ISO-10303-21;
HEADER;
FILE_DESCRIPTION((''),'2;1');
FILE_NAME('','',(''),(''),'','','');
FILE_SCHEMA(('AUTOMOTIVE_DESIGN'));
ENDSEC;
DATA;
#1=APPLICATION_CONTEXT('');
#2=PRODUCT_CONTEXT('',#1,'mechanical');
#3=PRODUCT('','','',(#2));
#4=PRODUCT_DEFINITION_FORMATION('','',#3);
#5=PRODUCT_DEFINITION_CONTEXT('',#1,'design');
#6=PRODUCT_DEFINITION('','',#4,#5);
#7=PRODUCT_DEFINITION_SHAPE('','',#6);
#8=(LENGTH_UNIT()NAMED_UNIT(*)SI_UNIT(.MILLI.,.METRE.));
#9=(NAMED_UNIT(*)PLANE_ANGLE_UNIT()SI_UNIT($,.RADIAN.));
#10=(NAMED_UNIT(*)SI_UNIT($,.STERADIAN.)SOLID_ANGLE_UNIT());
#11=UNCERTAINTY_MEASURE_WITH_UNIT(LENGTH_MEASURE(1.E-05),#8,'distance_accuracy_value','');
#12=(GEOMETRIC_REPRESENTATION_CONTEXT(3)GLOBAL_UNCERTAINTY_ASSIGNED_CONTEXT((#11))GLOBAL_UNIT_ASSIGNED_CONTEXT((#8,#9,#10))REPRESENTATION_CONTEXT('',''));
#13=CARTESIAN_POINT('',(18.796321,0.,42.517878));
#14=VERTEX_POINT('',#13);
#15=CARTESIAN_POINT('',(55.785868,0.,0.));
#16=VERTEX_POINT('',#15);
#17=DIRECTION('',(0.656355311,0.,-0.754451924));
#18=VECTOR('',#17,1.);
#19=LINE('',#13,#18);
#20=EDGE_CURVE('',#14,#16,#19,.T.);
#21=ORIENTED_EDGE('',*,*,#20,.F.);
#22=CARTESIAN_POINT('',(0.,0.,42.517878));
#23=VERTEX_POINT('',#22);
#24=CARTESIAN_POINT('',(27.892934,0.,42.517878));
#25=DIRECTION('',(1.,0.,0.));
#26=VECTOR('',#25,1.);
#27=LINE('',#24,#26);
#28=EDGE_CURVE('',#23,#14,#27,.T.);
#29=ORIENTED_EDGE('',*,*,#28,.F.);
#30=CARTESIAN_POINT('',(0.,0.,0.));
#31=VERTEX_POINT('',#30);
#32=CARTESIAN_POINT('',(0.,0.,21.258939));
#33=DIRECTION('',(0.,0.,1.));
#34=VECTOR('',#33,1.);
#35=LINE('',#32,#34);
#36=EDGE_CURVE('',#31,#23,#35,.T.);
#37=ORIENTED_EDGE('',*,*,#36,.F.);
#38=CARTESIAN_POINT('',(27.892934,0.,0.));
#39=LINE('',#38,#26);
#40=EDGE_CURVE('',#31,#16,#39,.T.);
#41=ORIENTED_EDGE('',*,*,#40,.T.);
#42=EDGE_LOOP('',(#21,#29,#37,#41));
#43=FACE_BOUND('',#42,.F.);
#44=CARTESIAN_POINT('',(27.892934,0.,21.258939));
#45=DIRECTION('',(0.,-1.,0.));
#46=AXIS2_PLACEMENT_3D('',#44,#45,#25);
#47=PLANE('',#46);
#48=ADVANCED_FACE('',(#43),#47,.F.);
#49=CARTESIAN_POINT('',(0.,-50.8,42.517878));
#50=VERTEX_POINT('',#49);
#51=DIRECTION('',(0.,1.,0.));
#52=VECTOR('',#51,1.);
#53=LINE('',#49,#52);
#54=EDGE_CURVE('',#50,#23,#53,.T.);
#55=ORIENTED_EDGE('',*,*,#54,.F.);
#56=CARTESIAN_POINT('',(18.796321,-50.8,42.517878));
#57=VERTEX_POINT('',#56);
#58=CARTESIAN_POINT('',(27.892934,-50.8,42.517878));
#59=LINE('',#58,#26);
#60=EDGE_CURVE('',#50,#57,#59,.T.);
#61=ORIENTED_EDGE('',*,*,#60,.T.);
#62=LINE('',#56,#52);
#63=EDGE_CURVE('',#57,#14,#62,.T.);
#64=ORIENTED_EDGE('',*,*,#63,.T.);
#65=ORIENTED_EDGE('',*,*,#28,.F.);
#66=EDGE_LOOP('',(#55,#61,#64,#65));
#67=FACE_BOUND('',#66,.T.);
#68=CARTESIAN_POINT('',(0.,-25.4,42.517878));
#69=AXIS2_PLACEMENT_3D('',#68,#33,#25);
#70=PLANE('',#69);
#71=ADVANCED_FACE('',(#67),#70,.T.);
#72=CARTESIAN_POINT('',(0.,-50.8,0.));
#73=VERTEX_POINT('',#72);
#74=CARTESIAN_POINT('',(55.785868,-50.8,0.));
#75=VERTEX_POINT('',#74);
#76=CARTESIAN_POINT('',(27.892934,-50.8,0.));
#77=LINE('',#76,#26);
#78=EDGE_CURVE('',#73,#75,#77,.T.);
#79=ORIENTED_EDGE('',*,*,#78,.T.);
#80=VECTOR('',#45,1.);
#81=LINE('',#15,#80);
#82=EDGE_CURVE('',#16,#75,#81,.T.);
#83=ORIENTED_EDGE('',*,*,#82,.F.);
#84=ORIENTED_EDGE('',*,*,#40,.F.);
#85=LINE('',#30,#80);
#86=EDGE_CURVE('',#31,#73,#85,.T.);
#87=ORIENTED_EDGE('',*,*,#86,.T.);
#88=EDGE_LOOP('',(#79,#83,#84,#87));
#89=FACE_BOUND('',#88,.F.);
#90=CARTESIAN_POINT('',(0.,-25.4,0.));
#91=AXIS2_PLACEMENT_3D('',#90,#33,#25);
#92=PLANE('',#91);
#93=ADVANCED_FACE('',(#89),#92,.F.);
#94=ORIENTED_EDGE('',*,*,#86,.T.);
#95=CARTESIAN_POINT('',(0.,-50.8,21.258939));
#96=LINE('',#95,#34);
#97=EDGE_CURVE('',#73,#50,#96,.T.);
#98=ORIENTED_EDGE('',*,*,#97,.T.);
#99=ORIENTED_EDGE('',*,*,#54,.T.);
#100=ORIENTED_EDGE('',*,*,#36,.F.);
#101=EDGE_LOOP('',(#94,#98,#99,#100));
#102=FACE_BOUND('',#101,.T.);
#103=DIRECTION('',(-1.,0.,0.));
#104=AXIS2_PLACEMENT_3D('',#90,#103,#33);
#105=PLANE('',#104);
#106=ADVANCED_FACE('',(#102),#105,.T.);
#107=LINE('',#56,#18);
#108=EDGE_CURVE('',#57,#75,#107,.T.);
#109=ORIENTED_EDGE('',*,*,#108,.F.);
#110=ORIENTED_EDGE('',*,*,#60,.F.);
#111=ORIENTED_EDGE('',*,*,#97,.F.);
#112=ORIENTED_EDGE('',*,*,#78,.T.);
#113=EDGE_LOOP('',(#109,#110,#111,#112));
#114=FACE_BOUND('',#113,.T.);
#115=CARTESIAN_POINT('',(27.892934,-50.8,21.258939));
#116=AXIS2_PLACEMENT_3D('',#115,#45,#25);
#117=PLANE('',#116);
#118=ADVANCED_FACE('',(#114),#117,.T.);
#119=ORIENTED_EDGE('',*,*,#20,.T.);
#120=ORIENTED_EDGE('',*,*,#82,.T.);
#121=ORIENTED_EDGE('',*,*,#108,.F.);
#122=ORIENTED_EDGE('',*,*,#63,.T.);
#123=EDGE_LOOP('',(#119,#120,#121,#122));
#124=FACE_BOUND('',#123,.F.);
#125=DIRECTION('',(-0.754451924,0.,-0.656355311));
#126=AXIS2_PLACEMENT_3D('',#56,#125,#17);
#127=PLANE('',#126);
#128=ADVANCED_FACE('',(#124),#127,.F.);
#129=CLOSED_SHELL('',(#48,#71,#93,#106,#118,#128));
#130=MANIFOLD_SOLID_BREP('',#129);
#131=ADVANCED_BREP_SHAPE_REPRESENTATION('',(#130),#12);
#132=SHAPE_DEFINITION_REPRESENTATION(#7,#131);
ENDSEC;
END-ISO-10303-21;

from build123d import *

# Parameters (mm, degrees)
F0_W     = 55.7858683169
F0_H     = 42.5178781152
F1_DEPTH = 25.4
F2_DEPTH = 25.4
F4_DEPTH = 25.4
F5_DEPTH = 25.4


with BuildPart() as f1:
    # F0 (on Front) → F1 (new body)
    with BuildSketch(Plane.XZ):
        with Locations((27.8929341584, 21.2589390576)):
            Rectangle(F0_W, F0_H)
    extrude(amount=F1_DEPTH)

    # F2 (add): a face of the model
    f2_faces = [f1.faces().sort_by_distance(p)[0] for p in [
        (27.8929341584, -25.4, 21.2589390576),
    ]]
    extrude(f2_faces, amount=F2_DEPTH)

    # F3 (on face) → F4 (cut)
    with BuildSketch(Plane.XZ.offset(50.8)):
        Polygon((55.7858683169, 42.5178781152), (18.7963210046, 42.5178781152), (55.7858683169, 0), align=None)
    extrude(amount=-F4_DEPTH, mode=Mode.SUBTRACT)

    # F5 (cut): a face of the model
    f5_faces = [f1.faces().sort_by_distance(p)[0] for p in [
        (43.4560192128, -25.4, 28.3452520768),
    ]]
    extrude(f5_faces, amount=-F5_DEPTH, mode=Mode.SUBTRACT)


solid = f1.part
